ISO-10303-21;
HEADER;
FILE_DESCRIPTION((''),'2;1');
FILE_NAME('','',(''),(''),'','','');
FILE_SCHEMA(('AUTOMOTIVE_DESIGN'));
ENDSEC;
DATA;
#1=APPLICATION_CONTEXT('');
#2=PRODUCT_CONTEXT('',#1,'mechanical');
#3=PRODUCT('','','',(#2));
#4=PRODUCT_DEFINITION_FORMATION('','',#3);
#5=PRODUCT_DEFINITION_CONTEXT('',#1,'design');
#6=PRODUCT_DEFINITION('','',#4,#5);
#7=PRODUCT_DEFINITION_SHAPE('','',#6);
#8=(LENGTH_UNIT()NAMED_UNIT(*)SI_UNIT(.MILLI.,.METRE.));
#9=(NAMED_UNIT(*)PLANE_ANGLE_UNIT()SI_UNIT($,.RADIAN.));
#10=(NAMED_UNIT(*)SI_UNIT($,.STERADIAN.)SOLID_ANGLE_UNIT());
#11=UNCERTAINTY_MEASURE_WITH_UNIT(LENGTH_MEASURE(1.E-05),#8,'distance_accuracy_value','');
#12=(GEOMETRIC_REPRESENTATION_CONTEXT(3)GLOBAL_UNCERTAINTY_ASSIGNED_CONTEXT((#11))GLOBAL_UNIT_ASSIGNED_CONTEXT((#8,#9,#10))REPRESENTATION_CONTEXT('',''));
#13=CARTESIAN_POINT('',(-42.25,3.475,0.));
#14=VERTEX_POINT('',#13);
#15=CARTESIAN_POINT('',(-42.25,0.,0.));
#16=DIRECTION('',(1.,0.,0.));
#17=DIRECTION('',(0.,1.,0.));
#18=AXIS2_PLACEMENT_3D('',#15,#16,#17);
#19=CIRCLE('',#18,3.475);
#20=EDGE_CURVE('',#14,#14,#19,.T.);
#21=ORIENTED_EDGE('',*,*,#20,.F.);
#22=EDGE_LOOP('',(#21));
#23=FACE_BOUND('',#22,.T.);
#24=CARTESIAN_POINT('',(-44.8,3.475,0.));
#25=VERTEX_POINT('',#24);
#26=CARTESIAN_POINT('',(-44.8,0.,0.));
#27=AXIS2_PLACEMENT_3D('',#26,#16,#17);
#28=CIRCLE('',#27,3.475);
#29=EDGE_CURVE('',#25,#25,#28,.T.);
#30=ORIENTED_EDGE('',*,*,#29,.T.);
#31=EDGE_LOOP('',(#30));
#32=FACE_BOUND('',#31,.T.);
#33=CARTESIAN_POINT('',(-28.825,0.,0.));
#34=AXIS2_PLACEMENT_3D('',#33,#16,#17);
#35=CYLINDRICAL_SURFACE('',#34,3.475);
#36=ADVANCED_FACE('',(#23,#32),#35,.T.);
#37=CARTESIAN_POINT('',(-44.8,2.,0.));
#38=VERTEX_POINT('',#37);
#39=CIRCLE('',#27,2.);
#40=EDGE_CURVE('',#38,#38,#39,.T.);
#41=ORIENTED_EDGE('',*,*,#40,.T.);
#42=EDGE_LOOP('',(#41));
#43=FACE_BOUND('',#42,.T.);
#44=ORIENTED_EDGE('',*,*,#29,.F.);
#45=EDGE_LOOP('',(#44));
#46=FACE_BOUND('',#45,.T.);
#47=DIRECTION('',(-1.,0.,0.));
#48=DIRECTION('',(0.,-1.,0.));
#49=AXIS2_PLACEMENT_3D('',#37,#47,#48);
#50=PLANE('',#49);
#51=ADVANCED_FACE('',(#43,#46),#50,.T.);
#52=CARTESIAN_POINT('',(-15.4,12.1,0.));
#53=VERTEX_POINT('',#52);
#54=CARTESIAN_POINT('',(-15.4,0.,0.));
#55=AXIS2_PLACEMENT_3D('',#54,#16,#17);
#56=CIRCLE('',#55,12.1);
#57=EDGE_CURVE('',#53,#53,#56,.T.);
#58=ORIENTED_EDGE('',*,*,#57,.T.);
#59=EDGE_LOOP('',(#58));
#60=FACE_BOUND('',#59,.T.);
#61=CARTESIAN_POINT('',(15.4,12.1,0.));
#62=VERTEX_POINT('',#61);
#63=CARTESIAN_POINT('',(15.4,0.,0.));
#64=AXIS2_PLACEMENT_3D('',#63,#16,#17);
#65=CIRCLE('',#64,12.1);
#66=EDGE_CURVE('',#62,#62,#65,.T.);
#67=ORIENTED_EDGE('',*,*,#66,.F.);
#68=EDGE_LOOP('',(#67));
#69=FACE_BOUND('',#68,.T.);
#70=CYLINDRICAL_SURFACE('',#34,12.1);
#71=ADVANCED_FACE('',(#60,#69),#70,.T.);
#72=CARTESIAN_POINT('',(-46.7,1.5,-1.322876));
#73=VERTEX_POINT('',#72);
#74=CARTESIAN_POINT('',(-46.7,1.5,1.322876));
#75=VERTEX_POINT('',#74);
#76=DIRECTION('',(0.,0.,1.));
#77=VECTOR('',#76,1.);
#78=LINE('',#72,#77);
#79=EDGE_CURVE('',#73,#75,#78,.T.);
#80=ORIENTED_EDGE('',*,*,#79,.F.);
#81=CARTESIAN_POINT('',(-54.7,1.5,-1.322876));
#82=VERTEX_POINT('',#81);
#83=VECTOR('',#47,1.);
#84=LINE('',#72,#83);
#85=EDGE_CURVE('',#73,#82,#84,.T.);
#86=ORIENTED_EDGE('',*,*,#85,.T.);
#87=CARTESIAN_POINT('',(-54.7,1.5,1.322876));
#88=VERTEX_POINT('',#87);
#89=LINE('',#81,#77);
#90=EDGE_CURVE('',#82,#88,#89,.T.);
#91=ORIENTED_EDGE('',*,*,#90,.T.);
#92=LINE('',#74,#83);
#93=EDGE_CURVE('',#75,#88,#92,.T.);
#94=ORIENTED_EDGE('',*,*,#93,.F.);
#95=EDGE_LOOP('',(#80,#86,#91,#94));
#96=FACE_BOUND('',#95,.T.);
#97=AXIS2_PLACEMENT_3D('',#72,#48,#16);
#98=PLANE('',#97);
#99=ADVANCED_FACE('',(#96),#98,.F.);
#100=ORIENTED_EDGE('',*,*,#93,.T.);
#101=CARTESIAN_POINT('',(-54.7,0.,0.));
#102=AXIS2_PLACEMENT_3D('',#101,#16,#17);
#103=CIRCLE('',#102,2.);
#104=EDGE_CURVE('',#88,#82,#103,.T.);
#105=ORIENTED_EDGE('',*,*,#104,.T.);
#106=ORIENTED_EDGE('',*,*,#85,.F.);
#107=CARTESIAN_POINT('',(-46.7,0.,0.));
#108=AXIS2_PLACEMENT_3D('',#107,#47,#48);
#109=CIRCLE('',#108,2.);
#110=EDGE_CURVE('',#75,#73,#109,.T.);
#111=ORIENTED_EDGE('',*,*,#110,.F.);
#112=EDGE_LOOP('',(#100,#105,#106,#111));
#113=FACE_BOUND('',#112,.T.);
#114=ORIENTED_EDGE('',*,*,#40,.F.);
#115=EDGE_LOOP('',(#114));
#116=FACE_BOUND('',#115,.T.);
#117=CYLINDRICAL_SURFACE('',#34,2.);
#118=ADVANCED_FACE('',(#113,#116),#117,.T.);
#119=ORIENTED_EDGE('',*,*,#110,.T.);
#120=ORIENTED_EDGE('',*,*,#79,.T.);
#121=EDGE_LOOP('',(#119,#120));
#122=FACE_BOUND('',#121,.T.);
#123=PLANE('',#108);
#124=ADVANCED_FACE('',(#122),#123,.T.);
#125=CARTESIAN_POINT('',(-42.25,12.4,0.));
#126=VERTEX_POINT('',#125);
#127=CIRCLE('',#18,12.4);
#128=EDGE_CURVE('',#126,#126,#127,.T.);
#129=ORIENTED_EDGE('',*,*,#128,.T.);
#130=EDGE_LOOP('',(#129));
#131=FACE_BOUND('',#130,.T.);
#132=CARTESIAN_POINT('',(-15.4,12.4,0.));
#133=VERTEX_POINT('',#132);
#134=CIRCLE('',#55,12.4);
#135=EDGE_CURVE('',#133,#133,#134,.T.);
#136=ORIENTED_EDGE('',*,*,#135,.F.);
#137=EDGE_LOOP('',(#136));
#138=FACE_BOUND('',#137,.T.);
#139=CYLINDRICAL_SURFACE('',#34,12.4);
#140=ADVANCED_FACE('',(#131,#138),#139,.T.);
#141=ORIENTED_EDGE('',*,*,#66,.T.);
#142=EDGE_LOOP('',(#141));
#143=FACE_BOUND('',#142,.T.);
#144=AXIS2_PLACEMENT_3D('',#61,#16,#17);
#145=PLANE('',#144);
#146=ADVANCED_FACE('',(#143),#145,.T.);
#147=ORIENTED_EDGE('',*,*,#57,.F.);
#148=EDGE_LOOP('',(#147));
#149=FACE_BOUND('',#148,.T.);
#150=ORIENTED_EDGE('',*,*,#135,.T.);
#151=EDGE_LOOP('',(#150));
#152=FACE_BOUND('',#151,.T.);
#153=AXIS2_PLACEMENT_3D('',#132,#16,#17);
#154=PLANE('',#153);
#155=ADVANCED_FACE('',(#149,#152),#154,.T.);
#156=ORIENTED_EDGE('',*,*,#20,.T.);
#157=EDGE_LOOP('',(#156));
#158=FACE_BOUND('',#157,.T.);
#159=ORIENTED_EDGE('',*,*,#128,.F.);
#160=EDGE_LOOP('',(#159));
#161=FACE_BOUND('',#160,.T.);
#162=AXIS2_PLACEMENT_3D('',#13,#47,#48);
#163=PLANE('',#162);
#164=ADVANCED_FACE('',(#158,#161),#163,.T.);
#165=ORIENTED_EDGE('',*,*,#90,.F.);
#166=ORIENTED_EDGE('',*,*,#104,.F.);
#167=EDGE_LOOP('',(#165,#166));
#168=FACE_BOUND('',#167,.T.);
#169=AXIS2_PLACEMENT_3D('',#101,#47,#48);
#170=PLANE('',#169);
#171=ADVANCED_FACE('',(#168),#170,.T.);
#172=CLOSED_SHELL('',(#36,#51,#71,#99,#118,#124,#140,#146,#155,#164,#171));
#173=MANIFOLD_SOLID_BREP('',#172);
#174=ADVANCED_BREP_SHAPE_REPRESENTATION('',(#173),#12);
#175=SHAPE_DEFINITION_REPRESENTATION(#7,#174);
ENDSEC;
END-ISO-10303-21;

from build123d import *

# Parameters (mm, degrees)
CUT_EXTRUDE1_START = -8
CUT_EXTRUDE1_DEPTH = 8


with BuildPart() as part:
    # Sketch2 → Revolve3 (revolve)
    with BuildSketch(Plane.XY):
        Polygon((-42.25, 12.4), (-15.4, 12.4), (-15.4, 12.1), (15.4, 12.1), (15.4, 0), (-54.7, 0), (-54.7, 2), (-44.8, 2), (-44.8, 3.475), (-42.25, 3.475), align=None)
    revolve(axis=Axis((-28.825, 0, 0), (-1, 0, 0)))

    # Sketch3 → Cut-Extrude1 (cut)
    with BuildSketch(Plane.ZY.offset(54.7).offset(CUT_EXTRUDE1_START)):
        with BuildLine():
            Line((-1.322875656, 1.5), (1.322875656, 1.5))
            ThreePointArc((1.322875656, 1.5), (0, 2), (-1.322875656, 1.5))
        make_face()
    extrude(amount=CUT_EXTRUDE1_DEPTH, mode=Mode.SUBTRACT)


solid = part.part
